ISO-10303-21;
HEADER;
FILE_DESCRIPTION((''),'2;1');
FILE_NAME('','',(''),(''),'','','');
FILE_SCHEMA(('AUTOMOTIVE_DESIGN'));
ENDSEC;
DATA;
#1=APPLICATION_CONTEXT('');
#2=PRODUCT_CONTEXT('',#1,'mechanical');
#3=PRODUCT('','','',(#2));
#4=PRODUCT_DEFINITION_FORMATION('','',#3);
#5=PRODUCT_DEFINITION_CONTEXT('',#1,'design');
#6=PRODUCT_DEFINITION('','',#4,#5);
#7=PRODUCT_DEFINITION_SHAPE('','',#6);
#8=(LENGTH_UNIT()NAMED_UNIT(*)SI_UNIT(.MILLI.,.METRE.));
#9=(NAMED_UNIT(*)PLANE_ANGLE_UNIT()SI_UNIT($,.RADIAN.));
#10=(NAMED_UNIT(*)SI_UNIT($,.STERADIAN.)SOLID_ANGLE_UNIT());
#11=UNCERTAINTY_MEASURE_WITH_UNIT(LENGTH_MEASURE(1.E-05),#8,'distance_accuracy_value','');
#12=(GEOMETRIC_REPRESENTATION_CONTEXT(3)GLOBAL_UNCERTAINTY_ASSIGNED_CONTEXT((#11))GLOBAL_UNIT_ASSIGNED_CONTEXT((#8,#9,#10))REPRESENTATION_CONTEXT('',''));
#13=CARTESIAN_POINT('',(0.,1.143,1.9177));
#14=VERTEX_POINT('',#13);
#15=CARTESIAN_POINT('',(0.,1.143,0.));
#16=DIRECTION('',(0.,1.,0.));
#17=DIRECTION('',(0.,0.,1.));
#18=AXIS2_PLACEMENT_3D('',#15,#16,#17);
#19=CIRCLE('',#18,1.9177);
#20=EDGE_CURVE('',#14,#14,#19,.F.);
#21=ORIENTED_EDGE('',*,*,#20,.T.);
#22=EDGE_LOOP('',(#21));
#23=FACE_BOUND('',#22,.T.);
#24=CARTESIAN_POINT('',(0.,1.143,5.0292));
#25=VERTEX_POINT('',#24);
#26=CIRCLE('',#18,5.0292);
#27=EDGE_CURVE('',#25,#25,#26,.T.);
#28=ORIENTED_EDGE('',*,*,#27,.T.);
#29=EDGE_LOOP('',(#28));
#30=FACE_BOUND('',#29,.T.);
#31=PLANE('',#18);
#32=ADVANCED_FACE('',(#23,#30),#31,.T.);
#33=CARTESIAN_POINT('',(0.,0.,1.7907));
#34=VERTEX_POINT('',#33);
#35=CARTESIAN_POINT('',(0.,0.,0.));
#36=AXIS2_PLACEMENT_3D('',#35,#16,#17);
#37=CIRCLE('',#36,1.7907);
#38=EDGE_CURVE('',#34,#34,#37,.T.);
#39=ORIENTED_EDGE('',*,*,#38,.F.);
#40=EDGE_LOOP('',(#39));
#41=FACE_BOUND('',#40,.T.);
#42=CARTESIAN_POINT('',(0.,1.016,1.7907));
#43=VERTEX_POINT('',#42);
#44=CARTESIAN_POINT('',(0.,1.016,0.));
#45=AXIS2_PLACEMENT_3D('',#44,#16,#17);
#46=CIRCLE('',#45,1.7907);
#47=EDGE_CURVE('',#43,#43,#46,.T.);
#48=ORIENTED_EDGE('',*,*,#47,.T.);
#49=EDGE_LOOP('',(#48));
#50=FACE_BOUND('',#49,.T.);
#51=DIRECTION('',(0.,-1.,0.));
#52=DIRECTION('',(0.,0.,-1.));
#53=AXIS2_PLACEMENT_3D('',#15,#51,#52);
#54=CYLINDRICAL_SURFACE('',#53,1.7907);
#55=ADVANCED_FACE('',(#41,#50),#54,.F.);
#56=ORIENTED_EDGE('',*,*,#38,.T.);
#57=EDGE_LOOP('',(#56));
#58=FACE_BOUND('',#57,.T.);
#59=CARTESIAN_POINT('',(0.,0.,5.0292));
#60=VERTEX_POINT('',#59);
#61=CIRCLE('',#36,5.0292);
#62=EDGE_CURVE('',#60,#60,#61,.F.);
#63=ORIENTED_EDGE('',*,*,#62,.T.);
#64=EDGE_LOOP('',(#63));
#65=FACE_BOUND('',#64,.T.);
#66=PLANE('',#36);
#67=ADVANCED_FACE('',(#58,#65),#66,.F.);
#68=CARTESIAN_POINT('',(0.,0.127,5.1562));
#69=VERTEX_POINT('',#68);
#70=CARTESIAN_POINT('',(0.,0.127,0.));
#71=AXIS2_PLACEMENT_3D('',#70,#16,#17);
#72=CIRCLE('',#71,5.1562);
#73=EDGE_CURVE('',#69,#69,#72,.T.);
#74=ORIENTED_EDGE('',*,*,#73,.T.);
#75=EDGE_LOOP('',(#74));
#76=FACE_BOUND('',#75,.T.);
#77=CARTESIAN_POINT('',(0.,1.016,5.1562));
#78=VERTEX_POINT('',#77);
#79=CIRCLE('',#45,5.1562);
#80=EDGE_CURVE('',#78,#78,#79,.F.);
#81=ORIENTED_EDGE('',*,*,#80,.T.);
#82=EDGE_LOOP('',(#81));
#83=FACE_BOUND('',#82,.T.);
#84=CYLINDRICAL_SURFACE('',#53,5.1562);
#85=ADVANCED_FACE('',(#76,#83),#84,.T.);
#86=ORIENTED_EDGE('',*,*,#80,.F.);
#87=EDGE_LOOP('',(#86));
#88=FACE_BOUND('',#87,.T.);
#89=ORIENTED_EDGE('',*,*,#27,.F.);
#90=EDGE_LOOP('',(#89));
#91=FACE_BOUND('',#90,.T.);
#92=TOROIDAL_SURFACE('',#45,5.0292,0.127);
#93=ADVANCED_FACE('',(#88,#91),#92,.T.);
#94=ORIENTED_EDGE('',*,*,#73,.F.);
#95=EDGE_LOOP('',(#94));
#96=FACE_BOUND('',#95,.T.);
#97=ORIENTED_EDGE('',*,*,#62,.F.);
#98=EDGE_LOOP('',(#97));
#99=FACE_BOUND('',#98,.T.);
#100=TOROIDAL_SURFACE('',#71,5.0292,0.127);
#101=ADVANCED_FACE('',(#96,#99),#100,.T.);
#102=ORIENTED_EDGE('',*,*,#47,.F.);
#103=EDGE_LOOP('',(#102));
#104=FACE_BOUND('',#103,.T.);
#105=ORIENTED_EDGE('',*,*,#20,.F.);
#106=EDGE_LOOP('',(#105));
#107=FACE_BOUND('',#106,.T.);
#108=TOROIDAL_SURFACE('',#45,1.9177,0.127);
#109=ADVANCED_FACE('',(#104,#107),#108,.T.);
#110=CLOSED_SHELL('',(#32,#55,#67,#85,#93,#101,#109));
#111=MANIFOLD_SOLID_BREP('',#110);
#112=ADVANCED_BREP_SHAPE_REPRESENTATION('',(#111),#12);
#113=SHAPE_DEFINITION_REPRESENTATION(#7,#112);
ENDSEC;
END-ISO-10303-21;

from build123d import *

# Parameters (mm, degrees)
SKETCH1_R           = 5.1562
SKETCH1_R_2         = 1.7907
BOSS_EXTRUDE1_DEPTH = 1.143
FILLET1_R           = 0.127


with BuildPart() as part:
    # Sketch1 → Boss-Extrude1 (new body)
    with BuildSketch(Plane(origin=(0, 0, 0), x_dir=(1, 0, 0), z_dir=(0, 1, 0))):
        with Locations(Location((0, 0, 0), (0, 0, 270))):
            Circle(SKETCH1_R)
        with Locations(Location((0, 0, 0), (0, 0, 270))):
            Circle(SKETCH1_R_2, mode=Mode.SUBTRACT)
    extrude(amount=BOSS_EXTRUDE1_DEPTH)

    # Fillet1
    fillet1_edges = [part.edges().sort_by_distance(p)[0] for p in [
        (0, 0, -5.1562),
        (0, 1.143, -5.1562),
        (0, 1.143, -1.7907),
    ]]
    fillet(fillet1_edges, radius=FILLET1_R)


solid = part.part
